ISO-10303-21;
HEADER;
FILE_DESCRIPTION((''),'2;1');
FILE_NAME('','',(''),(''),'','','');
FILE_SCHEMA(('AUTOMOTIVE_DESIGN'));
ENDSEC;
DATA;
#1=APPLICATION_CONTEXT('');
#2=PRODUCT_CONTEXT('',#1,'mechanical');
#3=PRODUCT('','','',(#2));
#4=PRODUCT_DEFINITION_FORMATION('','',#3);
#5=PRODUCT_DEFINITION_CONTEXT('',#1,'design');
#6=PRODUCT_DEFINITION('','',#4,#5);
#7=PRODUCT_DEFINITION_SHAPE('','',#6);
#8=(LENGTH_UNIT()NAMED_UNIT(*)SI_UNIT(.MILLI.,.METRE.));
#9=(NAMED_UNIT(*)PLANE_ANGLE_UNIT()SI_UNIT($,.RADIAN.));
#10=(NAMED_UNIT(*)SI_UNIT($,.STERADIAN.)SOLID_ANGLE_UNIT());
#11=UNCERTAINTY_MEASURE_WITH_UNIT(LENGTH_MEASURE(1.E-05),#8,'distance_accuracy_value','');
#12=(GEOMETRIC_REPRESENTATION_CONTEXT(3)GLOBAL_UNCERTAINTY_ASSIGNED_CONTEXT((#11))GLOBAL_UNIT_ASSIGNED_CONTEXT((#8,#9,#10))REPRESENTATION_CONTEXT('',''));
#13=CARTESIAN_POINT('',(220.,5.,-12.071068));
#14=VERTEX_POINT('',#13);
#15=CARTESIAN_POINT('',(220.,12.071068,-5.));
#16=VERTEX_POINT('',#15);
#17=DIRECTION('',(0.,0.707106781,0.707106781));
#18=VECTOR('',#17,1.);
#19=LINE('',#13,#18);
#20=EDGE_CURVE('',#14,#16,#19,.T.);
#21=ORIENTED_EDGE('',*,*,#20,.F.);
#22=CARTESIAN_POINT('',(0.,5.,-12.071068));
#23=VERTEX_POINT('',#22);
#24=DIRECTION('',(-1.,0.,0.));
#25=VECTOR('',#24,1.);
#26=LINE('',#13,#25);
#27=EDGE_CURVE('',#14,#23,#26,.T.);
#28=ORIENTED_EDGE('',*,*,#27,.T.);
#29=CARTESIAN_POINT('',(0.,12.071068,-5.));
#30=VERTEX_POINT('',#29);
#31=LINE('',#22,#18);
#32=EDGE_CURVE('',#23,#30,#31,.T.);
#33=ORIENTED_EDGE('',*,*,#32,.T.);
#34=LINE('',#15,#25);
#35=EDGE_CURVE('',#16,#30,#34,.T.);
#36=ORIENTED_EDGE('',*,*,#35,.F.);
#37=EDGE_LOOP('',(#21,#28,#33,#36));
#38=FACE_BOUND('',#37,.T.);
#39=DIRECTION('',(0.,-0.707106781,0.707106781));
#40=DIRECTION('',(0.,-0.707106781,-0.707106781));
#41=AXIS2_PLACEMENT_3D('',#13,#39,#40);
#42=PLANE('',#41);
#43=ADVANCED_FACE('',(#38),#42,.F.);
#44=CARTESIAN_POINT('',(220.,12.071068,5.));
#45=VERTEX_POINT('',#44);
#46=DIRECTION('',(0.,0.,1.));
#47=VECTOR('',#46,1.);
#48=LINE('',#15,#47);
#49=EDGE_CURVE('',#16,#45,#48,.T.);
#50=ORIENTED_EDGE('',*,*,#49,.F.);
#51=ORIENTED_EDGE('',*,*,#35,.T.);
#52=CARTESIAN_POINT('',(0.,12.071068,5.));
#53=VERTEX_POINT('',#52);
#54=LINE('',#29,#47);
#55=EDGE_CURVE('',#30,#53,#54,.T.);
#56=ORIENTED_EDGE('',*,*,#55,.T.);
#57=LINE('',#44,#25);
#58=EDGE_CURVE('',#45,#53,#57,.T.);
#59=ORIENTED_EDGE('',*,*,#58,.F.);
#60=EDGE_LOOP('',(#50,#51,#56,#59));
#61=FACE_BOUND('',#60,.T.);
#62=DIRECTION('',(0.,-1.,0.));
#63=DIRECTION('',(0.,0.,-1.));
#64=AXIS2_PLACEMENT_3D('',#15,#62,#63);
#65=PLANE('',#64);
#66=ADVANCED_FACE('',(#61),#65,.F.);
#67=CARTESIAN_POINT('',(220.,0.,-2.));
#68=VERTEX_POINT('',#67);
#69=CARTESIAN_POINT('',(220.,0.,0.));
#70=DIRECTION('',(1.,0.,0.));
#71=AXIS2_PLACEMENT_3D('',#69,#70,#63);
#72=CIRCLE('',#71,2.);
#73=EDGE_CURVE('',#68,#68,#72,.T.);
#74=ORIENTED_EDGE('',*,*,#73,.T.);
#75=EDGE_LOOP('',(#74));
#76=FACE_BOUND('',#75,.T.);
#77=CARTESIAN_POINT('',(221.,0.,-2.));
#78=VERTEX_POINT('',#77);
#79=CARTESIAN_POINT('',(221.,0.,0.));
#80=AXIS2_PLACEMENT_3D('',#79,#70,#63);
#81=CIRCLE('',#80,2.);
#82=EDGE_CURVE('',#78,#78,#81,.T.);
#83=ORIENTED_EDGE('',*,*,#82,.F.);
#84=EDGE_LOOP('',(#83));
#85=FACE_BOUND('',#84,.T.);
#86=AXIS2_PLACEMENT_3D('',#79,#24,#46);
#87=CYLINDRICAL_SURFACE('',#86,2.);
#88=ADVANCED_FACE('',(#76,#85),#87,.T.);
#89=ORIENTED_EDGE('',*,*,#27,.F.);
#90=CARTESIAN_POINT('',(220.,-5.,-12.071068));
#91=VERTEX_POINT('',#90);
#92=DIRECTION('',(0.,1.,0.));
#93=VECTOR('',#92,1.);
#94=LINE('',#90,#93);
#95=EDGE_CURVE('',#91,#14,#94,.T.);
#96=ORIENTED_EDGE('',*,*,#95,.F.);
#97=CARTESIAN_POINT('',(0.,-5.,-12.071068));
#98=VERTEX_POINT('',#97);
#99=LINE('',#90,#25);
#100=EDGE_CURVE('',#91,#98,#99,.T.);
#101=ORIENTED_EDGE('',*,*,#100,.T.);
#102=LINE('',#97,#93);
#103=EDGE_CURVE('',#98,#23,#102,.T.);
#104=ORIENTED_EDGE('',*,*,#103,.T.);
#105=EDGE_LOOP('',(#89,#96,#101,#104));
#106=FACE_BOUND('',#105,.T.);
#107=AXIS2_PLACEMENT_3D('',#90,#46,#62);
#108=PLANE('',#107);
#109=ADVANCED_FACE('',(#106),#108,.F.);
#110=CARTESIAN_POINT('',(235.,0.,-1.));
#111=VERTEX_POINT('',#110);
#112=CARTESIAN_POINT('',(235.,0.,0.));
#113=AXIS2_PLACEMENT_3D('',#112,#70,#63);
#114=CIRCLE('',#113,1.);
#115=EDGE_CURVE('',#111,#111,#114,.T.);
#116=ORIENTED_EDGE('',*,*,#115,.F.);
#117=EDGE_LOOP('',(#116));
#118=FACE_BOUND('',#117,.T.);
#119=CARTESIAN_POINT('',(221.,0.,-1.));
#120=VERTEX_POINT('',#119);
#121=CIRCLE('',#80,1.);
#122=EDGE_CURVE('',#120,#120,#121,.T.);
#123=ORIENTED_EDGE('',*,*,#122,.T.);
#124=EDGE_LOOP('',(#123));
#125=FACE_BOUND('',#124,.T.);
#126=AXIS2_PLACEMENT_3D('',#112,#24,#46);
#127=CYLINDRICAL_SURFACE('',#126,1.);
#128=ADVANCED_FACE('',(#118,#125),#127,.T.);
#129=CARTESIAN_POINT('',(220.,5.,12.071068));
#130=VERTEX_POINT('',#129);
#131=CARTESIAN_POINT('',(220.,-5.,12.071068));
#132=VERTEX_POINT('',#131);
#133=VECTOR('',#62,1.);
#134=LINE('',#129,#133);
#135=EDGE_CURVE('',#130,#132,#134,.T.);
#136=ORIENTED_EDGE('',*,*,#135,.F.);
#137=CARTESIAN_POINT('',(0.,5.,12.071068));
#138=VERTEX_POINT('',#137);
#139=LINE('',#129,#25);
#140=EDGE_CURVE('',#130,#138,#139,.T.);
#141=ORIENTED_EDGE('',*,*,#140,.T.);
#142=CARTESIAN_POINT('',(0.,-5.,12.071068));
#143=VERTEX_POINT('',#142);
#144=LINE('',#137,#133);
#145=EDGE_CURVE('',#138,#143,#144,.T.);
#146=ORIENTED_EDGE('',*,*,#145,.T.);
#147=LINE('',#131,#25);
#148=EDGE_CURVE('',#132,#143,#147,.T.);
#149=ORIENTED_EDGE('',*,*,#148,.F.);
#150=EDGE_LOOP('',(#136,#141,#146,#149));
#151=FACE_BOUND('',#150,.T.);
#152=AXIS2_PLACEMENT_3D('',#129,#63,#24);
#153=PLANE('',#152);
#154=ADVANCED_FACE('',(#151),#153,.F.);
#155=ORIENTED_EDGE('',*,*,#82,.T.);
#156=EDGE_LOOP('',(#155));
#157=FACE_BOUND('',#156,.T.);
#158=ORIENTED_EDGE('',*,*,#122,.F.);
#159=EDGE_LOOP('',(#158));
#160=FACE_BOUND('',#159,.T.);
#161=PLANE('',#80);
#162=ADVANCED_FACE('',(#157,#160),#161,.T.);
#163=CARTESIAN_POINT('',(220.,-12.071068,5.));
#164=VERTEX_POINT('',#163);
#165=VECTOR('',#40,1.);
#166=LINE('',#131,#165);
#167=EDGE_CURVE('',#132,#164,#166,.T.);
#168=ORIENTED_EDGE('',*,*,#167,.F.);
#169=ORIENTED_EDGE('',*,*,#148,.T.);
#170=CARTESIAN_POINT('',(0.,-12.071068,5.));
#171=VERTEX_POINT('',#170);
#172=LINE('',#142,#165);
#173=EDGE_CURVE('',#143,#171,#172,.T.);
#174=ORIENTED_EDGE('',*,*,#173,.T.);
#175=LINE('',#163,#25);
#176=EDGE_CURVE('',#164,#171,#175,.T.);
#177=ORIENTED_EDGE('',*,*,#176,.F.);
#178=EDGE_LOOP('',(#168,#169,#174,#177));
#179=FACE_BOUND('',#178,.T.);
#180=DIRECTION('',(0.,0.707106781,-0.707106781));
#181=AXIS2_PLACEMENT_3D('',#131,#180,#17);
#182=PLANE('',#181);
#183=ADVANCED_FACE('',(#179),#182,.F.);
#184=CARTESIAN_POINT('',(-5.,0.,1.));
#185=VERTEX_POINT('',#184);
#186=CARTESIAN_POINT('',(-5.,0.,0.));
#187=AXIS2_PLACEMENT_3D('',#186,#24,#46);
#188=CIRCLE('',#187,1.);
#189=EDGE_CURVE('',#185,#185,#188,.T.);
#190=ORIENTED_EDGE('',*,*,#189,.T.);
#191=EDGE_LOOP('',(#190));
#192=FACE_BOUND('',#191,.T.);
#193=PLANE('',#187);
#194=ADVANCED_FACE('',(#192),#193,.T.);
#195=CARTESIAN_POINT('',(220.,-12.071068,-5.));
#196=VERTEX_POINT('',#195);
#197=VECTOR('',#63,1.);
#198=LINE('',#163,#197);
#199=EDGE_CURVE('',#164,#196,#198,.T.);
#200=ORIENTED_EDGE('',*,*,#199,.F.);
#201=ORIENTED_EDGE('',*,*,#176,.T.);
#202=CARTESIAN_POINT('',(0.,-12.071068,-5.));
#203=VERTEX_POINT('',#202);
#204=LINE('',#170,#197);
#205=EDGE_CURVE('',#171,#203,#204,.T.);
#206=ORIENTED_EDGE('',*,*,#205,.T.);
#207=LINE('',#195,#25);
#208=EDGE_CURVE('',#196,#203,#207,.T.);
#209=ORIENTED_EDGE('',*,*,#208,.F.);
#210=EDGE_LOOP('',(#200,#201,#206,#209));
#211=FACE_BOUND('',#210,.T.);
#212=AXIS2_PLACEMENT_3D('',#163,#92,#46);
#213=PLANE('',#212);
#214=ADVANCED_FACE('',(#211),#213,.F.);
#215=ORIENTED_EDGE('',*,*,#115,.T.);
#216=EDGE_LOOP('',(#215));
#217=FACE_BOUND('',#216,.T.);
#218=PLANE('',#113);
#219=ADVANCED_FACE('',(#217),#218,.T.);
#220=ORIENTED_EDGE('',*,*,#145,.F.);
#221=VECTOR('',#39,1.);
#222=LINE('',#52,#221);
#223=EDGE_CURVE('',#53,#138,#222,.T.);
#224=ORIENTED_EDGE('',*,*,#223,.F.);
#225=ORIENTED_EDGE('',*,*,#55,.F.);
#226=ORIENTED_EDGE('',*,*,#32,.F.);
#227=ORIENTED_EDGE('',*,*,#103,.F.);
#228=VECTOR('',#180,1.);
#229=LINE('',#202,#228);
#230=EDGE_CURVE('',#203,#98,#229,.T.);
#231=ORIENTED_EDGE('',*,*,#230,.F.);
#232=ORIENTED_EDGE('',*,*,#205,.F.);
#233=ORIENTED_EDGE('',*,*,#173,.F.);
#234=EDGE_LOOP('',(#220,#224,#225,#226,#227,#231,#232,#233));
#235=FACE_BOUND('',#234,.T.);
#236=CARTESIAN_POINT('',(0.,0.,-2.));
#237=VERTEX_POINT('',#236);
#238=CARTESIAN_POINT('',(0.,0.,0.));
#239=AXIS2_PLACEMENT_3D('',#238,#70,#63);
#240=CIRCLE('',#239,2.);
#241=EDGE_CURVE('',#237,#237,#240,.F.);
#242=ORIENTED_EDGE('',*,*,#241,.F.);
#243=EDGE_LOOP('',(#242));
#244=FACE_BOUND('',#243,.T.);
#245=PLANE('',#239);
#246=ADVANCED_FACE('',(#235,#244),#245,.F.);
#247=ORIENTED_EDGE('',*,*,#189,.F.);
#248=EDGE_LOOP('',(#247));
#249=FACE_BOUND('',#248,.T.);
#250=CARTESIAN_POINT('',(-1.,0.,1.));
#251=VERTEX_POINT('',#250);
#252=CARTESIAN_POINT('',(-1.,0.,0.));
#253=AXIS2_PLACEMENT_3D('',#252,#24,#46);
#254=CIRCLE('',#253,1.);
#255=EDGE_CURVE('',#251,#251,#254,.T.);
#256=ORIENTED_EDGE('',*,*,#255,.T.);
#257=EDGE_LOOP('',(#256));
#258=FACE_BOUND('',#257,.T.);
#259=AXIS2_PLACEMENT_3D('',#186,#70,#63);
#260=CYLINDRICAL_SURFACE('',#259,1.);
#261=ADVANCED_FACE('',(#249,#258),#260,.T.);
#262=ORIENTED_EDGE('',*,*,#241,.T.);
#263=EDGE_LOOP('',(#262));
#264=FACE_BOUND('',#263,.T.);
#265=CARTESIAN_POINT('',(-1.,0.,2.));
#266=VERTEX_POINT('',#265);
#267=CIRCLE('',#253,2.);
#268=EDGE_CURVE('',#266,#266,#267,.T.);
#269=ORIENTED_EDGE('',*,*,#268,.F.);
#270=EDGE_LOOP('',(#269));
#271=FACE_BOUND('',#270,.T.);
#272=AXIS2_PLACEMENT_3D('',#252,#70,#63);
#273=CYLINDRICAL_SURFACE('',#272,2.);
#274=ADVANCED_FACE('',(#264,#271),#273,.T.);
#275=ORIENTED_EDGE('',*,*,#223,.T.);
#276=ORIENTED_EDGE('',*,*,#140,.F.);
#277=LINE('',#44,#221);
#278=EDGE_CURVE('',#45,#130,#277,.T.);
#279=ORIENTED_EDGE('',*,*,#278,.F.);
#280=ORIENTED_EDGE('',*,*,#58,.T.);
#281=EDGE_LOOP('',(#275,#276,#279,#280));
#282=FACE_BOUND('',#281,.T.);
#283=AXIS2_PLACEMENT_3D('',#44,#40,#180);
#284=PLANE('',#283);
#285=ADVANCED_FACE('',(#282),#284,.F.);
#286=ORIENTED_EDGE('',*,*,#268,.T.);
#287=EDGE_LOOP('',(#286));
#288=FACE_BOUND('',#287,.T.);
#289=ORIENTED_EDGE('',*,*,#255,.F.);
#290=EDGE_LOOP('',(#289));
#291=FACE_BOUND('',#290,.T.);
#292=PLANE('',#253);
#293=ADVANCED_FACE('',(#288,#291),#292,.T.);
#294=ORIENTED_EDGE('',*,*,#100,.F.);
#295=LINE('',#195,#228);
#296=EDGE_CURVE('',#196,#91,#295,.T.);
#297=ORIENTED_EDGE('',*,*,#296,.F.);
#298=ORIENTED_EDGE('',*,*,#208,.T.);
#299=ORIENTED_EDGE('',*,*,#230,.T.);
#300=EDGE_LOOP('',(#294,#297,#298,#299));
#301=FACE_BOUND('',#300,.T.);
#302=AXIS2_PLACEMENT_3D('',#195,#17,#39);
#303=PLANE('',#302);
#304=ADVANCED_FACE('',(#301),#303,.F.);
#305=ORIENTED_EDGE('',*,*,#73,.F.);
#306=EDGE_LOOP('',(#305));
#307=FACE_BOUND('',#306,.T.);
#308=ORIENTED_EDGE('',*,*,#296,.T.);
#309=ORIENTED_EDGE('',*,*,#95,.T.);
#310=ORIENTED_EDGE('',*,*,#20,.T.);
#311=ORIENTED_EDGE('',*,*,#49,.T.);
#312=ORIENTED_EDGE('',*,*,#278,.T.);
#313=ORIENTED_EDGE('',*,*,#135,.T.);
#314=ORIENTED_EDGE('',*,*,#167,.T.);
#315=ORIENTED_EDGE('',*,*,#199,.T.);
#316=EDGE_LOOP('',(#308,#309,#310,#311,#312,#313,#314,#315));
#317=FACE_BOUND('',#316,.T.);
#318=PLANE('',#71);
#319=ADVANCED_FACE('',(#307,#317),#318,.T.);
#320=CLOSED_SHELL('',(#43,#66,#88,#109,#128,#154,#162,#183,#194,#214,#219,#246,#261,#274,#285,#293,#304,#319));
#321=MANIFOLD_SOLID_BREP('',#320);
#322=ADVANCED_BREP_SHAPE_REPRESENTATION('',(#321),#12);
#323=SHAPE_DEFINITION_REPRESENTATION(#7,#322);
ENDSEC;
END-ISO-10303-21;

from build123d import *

# Parameters (mm, degrees)
EXTRUDE_1_DEPTH = 220
SKETCH_4_R      = 1
EXTRUDE_2_DEPTH = 15
SKETCH_5_R      = 2
EXTRUDE_3_DEPTH = 1
EXTRUDE_START   = 5
SKETCH_6_R      = 1
EXTRUDE_4_DEPTH = 5
EXTRUDE_START_2 = 1
SKETCH_7_R      = 2
EXTRUDE_5_DEPTH = 1


with BuildPart() as part:
    # 草图1 → 凸台-拉伸1 (new body)
    with BuildSketch(Plane(origin=(0, 0, 0), x_dir=(0, 0, -1), z_dir=(1, 0, 0))):
        Polygon((12.071067812, -5), (12.071067812, 5), (5, 12.071067812), (-5, 12.071067812), (-12.071067812, 5), (-12.071067812, -5), (-5, -12.071067812), (5, -12.071067812), align=None)
    extrude(amount=EXTRUDE_1_DEPTH)

    # 草图4 → 凸台-拉伸2 (add)
    with BuildSketch(Plane(origin=(220, 0, 0), x_dir=(0, 0, -1), z_dir=(1, 0, 0))):
        Circle(SKETCH_4_R)
    extrude(amount=EXTRUDE_2_DEPTH)

    # 草图5 → 凸台-拉伸3 (add)
    with BuildSketch(Plane(origin=(220, 0, 0), x_dir=(0, 0, -1), z_dir=(1, 0, 0))):
        Circle(SKETCH_5_R)
    extrude(amount=EXTRUDE_3_DEPTH)

    # 草图6 → 凸台-拉伸4 (add)
    with BuildSketch(Plane.ZY.offset(EXTRUDE_START)):
        with Locations(Location((0, 0, 0), (0, 0, 180))):
            Circle(SKETCH_6_R)
    extrude(amount=-EXTRUDE_4_DEPTH)

    # 草图7 → 凸台-拉伸5 (add)
    with BuildSketch(Plane.ZY.offset(EXTRUDE_START_2)):
        with Locations(Location((0, 0, 0), (0, 0, 180))):
            Circle(SKETCH_7_R)
    extrude(amount=-EXTRUDE_5_DEPTH)


solid = part.part
